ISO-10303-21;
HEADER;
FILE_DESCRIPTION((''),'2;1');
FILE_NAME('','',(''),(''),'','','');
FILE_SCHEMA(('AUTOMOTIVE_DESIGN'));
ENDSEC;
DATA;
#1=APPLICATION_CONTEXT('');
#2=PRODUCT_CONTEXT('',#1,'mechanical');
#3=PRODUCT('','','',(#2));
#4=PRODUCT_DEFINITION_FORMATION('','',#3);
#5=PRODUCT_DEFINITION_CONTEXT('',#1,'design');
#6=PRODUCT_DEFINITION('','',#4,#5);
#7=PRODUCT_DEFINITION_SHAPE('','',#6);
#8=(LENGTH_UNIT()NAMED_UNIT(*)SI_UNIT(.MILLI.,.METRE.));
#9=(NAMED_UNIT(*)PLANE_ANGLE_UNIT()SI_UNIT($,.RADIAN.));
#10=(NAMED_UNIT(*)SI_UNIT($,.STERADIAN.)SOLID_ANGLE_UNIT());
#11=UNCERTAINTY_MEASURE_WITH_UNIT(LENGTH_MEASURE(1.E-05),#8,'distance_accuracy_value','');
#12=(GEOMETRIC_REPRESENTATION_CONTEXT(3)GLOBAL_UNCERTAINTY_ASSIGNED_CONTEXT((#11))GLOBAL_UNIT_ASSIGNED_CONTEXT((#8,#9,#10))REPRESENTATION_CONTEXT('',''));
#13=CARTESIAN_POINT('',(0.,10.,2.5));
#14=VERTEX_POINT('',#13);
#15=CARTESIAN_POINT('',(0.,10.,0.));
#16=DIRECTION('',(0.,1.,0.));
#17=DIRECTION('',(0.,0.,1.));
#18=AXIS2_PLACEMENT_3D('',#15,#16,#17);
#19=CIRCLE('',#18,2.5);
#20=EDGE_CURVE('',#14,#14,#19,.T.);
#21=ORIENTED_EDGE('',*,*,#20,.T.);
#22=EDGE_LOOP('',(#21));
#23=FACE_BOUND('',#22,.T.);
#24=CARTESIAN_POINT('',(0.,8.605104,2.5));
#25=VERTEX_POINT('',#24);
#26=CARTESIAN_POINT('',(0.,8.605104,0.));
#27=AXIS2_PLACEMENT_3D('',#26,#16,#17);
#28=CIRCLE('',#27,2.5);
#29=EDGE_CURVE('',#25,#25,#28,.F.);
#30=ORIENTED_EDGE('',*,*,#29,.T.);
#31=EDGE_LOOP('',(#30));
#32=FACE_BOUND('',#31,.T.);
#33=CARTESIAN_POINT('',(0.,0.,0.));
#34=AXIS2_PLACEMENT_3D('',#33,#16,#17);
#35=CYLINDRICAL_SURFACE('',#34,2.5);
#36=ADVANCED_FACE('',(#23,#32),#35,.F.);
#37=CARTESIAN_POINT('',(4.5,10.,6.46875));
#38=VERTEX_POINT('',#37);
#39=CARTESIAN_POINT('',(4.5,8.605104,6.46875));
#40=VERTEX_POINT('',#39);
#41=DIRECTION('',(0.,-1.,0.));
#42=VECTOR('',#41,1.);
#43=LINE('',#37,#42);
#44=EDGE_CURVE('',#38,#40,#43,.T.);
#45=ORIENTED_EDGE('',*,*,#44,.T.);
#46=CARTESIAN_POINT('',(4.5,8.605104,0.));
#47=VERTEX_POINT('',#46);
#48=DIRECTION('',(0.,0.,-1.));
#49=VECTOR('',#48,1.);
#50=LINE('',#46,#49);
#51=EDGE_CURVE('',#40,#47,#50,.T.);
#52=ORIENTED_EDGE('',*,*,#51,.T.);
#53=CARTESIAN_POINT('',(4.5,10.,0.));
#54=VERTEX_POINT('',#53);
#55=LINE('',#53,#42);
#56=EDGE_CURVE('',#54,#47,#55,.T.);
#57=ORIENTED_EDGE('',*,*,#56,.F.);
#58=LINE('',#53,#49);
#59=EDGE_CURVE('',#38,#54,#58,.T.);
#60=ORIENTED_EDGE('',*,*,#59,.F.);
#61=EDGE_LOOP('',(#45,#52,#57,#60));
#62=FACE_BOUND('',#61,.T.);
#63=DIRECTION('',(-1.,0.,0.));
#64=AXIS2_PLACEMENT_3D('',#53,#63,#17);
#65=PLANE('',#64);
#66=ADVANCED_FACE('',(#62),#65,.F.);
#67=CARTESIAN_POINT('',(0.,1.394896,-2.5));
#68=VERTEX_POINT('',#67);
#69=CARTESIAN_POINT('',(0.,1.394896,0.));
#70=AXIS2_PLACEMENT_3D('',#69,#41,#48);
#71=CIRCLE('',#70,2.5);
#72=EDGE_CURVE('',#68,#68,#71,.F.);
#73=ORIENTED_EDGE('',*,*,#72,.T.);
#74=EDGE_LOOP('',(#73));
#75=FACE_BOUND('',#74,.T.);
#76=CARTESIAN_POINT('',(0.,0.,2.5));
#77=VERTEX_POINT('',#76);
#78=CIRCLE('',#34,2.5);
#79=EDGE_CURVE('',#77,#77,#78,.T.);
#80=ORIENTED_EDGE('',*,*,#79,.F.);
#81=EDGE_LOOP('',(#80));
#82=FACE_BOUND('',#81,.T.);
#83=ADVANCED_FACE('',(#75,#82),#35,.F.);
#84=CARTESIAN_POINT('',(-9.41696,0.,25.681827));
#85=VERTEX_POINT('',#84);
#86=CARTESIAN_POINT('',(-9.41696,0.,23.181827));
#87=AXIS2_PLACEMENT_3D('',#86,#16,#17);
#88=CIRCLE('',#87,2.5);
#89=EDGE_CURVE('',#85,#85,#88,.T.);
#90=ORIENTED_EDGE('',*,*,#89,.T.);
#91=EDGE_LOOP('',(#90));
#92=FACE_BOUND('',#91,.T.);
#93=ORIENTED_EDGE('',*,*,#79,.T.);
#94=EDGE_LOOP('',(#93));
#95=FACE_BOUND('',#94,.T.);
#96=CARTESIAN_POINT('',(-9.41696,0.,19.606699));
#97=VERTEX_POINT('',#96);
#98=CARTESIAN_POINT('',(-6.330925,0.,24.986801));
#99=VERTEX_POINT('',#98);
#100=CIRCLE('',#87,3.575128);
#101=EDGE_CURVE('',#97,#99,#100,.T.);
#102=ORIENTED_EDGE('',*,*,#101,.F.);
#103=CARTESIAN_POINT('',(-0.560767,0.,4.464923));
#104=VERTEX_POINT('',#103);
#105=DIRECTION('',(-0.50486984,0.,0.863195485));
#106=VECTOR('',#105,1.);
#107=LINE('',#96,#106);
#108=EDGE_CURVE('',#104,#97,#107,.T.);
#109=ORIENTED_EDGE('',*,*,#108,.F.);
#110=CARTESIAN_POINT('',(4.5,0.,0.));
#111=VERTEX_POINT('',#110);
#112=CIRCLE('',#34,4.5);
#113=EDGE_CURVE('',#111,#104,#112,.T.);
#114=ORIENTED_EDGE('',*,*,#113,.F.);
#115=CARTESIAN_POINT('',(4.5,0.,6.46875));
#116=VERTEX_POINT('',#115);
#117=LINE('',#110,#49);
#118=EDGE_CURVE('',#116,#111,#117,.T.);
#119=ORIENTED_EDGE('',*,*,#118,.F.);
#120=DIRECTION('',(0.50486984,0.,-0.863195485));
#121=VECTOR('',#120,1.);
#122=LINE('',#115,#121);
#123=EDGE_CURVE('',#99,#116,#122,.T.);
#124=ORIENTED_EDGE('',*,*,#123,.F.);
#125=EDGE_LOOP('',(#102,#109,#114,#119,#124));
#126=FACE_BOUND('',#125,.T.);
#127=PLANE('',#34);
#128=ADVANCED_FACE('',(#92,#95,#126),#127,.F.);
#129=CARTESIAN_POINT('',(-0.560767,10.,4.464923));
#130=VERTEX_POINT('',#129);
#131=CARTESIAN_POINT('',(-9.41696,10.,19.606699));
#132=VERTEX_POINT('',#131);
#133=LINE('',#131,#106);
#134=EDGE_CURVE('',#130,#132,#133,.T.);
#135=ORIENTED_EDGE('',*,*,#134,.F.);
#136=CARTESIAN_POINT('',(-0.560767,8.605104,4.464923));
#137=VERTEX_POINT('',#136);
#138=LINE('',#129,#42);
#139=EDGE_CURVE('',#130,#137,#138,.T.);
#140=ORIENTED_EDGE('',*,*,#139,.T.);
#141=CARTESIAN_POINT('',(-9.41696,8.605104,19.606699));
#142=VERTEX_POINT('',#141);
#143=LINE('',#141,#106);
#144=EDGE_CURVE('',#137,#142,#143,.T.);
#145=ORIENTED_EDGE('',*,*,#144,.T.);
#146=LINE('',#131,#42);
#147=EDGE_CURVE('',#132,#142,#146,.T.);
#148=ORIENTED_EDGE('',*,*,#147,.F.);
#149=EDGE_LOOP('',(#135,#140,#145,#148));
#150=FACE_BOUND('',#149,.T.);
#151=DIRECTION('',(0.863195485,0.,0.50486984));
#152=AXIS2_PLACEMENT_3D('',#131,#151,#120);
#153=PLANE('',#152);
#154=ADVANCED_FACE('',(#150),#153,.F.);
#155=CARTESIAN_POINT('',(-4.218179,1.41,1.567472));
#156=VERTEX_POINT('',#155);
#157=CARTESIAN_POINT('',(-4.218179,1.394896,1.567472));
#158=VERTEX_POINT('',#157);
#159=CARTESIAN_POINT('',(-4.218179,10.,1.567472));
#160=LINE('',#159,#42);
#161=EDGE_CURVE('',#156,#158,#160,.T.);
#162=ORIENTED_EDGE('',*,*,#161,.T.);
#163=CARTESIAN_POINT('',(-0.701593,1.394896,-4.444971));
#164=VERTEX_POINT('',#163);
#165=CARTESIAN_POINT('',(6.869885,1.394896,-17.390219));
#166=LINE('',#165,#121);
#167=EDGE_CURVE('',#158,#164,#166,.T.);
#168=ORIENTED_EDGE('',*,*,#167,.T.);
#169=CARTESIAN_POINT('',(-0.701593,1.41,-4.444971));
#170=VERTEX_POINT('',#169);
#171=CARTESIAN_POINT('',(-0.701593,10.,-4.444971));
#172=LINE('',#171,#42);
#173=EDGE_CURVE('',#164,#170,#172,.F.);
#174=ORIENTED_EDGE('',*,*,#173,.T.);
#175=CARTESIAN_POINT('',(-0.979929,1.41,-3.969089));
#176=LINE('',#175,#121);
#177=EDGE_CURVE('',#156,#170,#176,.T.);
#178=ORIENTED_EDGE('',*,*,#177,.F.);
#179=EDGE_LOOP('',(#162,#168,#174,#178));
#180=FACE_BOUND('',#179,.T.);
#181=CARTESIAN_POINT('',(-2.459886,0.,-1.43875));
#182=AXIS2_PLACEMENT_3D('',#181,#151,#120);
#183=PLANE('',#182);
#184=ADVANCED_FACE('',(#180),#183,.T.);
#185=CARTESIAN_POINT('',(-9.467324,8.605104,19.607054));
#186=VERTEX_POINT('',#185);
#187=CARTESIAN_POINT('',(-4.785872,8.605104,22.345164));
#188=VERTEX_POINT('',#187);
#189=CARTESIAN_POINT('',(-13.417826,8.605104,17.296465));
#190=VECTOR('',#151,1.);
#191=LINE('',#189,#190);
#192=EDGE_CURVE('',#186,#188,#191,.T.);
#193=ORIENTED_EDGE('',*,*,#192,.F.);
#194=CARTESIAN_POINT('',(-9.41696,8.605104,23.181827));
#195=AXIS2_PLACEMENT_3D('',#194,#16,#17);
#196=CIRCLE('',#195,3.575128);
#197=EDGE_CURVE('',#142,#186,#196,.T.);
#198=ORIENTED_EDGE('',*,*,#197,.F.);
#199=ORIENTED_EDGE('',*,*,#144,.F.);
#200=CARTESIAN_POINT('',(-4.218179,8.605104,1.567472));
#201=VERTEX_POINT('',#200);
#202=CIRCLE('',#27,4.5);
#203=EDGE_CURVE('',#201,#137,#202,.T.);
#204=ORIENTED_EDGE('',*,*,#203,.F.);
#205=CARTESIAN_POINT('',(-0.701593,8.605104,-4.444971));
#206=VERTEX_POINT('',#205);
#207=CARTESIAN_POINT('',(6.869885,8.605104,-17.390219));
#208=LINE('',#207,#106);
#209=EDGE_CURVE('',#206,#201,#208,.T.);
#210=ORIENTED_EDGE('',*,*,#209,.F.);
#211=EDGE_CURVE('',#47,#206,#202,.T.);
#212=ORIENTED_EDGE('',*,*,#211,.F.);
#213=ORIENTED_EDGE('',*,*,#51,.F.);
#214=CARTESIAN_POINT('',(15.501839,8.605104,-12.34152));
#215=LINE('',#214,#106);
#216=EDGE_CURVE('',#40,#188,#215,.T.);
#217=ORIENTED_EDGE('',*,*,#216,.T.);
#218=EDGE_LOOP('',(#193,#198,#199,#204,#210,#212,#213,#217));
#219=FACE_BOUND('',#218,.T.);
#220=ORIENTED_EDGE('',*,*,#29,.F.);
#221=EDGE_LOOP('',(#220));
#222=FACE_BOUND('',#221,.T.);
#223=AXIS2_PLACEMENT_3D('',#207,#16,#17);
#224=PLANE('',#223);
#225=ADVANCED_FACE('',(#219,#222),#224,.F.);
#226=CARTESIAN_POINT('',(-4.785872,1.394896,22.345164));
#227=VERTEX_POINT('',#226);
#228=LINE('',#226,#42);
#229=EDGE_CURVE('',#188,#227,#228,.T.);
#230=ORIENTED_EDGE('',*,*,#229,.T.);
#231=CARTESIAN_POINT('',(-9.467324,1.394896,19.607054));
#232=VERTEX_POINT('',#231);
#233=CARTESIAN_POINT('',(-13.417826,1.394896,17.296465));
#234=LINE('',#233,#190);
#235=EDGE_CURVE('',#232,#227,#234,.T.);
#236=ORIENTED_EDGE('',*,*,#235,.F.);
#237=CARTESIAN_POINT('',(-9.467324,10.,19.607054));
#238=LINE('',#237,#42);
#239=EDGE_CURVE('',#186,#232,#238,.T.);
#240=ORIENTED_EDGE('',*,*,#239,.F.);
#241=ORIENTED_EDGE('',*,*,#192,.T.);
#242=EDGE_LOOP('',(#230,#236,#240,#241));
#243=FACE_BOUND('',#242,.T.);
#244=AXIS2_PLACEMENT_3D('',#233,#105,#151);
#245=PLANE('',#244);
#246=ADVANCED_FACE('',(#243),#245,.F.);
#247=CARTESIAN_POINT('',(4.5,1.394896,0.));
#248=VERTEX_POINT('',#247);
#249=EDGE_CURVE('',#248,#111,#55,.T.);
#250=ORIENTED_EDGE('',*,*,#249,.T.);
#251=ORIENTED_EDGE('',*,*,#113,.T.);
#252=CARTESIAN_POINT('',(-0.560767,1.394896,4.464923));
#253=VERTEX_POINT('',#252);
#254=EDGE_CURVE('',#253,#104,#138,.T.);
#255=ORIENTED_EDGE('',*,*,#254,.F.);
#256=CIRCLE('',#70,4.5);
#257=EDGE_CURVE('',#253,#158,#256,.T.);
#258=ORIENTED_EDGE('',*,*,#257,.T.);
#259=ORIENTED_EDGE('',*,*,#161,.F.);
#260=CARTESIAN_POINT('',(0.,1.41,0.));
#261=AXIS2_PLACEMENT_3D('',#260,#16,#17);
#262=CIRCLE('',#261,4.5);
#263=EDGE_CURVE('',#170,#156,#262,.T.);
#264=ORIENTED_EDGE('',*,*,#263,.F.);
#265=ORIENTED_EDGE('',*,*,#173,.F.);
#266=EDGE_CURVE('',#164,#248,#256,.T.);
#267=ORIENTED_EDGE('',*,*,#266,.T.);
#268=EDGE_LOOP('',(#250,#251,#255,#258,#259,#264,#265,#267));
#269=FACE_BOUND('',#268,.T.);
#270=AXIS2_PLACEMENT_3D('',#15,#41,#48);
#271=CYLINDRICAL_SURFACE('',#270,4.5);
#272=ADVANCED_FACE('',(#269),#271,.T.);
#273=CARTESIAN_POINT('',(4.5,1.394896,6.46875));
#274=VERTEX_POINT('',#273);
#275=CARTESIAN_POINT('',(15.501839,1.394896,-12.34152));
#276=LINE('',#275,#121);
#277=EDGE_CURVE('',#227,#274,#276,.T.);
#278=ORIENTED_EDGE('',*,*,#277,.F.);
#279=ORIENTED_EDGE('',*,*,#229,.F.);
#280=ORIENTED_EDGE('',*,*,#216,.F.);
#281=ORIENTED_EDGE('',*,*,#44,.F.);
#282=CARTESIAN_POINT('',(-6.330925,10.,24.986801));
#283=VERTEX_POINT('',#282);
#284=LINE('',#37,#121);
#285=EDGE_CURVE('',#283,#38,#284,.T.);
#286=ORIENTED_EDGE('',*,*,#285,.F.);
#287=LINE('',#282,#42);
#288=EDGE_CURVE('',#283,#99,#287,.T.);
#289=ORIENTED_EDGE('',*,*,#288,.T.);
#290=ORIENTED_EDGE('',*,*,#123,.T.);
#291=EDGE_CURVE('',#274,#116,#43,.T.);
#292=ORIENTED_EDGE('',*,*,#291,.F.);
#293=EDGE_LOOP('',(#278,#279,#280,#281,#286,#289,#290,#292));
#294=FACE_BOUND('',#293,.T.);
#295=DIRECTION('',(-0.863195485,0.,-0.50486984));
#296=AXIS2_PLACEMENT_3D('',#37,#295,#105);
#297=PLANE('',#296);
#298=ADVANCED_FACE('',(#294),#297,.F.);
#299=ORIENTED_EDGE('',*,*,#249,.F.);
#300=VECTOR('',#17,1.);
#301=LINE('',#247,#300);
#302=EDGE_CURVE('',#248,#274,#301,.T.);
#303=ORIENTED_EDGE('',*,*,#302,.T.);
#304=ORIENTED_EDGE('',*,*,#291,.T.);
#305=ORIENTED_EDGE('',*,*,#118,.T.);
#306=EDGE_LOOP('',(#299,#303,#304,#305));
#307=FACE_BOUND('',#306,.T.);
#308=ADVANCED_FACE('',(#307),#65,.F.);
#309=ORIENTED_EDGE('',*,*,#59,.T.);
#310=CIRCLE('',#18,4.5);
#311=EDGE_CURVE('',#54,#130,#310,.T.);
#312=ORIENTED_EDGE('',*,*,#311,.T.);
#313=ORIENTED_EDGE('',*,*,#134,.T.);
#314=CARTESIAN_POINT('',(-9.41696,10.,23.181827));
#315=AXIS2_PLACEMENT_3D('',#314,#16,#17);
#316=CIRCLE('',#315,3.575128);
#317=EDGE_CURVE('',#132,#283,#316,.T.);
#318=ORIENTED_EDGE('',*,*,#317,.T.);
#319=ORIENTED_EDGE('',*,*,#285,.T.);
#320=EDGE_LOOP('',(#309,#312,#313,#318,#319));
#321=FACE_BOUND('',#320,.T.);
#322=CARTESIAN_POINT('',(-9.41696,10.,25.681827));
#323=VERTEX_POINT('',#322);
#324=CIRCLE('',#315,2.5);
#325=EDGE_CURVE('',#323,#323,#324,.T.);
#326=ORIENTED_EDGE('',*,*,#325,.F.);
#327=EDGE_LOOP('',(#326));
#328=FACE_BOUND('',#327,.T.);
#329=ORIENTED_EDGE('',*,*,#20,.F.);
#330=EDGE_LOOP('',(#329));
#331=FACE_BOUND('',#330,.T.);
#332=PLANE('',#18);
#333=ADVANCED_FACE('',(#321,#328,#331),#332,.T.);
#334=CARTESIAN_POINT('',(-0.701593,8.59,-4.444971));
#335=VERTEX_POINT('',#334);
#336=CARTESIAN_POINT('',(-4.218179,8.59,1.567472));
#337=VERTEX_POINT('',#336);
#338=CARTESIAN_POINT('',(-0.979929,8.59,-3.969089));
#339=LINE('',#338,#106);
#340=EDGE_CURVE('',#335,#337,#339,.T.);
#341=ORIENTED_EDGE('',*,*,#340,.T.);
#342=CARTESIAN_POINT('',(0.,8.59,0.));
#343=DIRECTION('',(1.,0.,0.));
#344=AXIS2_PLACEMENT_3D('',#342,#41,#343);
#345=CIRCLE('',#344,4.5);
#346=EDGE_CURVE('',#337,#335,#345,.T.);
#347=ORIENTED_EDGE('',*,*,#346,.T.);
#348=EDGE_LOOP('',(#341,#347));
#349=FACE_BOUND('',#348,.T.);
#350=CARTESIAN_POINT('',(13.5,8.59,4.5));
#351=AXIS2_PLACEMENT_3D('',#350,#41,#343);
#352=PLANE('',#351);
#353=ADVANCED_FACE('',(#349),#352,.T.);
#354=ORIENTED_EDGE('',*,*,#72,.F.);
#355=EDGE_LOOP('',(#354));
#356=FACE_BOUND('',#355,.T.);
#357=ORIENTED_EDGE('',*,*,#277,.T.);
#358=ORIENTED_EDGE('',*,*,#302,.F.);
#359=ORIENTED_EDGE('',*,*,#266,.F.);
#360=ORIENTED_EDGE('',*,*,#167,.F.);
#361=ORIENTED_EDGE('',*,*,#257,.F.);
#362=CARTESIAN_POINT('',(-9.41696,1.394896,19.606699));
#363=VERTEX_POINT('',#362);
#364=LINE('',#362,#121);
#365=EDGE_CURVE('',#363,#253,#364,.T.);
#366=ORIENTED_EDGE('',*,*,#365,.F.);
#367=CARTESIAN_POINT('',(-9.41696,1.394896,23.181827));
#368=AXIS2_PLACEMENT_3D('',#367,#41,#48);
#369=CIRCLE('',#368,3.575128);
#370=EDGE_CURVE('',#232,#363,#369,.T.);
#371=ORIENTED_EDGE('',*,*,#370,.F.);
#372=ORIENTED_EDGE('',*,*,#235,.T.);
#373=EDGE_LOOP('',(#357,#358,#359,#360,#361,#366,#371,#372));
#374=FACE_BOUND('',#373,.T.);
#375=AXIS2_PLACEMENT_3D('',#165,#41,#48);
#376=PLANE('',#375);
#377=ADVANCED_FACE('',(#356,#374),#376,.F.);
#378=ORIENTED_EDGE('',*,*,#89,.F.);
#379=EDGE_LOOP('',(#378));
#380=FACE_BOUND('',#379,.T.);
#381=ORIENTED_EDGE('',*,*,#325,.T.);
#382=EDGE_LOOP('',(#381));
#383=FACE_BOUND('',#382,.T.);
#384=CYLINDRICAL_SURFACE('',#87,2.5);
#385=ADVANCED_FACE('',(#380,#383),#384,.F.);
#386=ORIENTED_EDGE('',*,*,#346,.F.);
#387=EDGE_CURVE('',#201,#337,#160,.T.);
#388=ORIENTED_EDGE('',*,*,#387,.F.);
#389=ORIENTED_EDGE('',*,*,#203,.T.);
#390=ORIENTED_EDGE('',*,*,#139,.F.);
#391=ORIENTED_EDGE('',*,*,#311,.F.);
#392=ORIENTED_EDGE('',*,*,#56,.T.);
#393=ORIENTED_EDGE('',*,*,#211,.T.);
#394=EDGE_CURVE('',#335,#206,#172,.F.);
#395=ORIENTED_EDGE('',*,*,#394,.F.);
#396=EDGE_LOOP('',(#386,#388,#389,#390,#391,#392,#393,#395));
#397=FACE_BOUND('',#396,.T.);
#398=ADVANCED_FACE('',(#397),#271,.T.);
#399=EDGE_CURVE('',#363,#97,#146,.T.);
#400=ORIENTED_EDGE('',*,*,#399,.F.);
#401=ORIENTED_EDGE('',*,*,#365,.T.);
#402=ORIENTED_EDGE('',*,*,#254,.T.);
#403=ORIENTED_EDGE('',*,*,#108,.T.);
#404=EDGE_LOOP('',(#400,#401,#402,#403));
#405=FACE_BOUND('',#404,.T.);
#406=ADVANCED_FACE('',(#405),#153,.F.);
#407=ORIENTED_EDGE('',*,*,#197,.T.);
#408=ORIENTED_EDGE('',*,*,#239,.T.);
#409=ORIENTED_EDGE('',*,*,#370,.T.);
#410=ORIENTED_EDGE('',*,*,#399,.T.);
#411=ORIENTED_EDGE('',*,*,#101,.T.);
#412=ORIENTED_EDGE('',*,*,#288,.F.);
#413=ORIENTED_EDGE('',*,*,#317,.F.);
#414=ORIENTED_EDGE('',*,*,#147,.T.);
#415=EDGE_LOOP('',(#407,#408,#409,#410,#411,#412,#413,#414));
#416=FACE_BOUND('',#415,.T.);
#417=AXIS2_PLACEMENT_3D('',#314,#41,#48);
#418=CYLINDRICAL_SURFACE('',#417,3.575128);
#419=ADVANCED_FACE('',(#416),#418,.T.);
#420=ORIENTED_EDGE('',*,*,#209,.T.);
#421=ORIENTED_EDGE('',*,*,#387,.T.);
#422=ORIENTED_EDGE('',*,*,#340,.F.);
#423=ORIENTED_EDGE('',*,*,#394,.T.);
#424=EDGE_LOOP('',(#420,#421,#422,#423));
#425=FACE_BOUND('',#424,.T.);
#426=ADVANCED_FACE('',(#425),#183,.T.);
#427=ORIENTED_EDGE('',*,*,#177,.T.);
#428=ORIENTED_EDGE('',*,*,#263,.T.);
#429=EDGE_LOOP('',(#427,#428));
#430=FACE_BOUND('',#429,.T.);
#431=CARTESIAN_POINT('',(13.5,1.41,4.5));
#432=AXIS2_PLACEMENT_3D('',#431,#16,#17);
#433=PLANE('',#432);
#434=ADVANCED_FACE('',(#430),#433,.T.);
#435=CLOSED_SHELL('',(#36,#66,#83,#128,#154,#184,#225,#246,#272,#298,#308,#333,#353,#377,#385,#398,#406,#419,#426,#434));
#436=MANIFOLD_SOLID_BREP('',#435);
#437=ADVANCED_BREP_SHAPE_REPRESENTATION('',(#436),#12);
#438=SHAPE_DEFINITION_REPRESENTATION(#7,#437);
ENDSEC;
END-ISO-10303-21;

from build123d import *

# Parameters (mm, degrees)
BOSS_EXTRUDE1_DEPTH     = 10
SKETCH2_W               = 18
SKETCH2_H               = 7.18
CUT_EXTRUDE1_DEPTH      = 4.5
CUT_EXTRUDE1_DEPTH_BACK = 10
SKETCH3_R               = 2.5
CUT_EXTRUDE2_DEPTH      = 11
SKETCH4_R               = 2.5
CUT_EXTRUDE3_DEPTH      = 11
SKETCH5_W               = 40.184042348
SKETCH5_H               = 7.210208874
CUT_EXTRUDE4_DEPTH      = 10


with BuildPart() as part:
    # Sketch1 → Boss-Extrude1 (new body)
    with BuildSketch(Plane(origin=(0, 0, 0), x_dir=(1, 0, 0), z_dir=(0, 1, 0))):
        with BuildLine():
            Line((4.5, 0), (4.5, -6.46875))
            Line((4.5, -6.46875), (-6.330925138, -24.986801467))
            ThreePointArc((-6.330925138, -24.986801467), (-12.518133398, -24.960664715), (-9.416959682, -19.606698823))
            Line((-9.416959682, -19.606698823), (-0.560766754, -4.464923364))
            ThreePointArc((-0.560766754, -4.464923364), (-2.977125258, 3.374422202), (4.5, 0))
        make_face()
    extrude(amount=BOSS_EXTRUDE1_DEPTH)

    # Sketch2 → Cut-Extrude1 (cut, two sides)
    with BuildSketch(Plane.XY) as cut_extrude1_sk:
        with Locations((4.5, 5)):
            Rectangle(SKETCH2_W, SKETCH2_H)
    extrude(amount=CUT_EXTRUDE1_DEPTH, mode=Mode.SUBTRACT)
    extrude(cut_extrude1_sk.sketch, amount=-CUT_EXTRUDE1_DEPTH_BACK, mode=Mode.SUBTRACT)

    # Sketch3 → Cut-Extrude2 (cut, through all)
    with BuildSketch(Plane(origin=(0, 10, 0), x_dir=(1, 0, 0), z_dir=(0, 1, 0))):
        Circle(SKETCH3_R)
    extrude(amount=-CUT_EXTRUDE2_DEPTH, mode=Mode.SUBTRACT)

    # Sketch4 → Cut-Extrude3 (cut, through all)
    with BuildSketch(Plane(origin=(0, 10, 0), x_dir=(1, 0, 0), z_dir=(0, 1, 0))):
        with Locations((-9.416959682, -23.181827052)):
            Circle(SKETCH4_R)
    extrude(amount=-CUT_EXTRUDE3_DEPTH, mode=Mode.SUBTRACT)

    # Sketch5 → Cut-Extrude4 (cut)
    with BuildSketch(Plane(origin=(6.172069089, 0, 3.609948831), x_dir=(0.50486984, 0, -0.863195485), z_dir=(0.863195485, 0, 0.50486984))):
        with Locations((-1.612465403, 5)):
            Rectangle(SKETCH5_W, SKETCH5_H)
    extrude(amount=-CUT_EXTRUDE4_DEPTH, mode=Mode.SUBTRACT)


solid = part.part
